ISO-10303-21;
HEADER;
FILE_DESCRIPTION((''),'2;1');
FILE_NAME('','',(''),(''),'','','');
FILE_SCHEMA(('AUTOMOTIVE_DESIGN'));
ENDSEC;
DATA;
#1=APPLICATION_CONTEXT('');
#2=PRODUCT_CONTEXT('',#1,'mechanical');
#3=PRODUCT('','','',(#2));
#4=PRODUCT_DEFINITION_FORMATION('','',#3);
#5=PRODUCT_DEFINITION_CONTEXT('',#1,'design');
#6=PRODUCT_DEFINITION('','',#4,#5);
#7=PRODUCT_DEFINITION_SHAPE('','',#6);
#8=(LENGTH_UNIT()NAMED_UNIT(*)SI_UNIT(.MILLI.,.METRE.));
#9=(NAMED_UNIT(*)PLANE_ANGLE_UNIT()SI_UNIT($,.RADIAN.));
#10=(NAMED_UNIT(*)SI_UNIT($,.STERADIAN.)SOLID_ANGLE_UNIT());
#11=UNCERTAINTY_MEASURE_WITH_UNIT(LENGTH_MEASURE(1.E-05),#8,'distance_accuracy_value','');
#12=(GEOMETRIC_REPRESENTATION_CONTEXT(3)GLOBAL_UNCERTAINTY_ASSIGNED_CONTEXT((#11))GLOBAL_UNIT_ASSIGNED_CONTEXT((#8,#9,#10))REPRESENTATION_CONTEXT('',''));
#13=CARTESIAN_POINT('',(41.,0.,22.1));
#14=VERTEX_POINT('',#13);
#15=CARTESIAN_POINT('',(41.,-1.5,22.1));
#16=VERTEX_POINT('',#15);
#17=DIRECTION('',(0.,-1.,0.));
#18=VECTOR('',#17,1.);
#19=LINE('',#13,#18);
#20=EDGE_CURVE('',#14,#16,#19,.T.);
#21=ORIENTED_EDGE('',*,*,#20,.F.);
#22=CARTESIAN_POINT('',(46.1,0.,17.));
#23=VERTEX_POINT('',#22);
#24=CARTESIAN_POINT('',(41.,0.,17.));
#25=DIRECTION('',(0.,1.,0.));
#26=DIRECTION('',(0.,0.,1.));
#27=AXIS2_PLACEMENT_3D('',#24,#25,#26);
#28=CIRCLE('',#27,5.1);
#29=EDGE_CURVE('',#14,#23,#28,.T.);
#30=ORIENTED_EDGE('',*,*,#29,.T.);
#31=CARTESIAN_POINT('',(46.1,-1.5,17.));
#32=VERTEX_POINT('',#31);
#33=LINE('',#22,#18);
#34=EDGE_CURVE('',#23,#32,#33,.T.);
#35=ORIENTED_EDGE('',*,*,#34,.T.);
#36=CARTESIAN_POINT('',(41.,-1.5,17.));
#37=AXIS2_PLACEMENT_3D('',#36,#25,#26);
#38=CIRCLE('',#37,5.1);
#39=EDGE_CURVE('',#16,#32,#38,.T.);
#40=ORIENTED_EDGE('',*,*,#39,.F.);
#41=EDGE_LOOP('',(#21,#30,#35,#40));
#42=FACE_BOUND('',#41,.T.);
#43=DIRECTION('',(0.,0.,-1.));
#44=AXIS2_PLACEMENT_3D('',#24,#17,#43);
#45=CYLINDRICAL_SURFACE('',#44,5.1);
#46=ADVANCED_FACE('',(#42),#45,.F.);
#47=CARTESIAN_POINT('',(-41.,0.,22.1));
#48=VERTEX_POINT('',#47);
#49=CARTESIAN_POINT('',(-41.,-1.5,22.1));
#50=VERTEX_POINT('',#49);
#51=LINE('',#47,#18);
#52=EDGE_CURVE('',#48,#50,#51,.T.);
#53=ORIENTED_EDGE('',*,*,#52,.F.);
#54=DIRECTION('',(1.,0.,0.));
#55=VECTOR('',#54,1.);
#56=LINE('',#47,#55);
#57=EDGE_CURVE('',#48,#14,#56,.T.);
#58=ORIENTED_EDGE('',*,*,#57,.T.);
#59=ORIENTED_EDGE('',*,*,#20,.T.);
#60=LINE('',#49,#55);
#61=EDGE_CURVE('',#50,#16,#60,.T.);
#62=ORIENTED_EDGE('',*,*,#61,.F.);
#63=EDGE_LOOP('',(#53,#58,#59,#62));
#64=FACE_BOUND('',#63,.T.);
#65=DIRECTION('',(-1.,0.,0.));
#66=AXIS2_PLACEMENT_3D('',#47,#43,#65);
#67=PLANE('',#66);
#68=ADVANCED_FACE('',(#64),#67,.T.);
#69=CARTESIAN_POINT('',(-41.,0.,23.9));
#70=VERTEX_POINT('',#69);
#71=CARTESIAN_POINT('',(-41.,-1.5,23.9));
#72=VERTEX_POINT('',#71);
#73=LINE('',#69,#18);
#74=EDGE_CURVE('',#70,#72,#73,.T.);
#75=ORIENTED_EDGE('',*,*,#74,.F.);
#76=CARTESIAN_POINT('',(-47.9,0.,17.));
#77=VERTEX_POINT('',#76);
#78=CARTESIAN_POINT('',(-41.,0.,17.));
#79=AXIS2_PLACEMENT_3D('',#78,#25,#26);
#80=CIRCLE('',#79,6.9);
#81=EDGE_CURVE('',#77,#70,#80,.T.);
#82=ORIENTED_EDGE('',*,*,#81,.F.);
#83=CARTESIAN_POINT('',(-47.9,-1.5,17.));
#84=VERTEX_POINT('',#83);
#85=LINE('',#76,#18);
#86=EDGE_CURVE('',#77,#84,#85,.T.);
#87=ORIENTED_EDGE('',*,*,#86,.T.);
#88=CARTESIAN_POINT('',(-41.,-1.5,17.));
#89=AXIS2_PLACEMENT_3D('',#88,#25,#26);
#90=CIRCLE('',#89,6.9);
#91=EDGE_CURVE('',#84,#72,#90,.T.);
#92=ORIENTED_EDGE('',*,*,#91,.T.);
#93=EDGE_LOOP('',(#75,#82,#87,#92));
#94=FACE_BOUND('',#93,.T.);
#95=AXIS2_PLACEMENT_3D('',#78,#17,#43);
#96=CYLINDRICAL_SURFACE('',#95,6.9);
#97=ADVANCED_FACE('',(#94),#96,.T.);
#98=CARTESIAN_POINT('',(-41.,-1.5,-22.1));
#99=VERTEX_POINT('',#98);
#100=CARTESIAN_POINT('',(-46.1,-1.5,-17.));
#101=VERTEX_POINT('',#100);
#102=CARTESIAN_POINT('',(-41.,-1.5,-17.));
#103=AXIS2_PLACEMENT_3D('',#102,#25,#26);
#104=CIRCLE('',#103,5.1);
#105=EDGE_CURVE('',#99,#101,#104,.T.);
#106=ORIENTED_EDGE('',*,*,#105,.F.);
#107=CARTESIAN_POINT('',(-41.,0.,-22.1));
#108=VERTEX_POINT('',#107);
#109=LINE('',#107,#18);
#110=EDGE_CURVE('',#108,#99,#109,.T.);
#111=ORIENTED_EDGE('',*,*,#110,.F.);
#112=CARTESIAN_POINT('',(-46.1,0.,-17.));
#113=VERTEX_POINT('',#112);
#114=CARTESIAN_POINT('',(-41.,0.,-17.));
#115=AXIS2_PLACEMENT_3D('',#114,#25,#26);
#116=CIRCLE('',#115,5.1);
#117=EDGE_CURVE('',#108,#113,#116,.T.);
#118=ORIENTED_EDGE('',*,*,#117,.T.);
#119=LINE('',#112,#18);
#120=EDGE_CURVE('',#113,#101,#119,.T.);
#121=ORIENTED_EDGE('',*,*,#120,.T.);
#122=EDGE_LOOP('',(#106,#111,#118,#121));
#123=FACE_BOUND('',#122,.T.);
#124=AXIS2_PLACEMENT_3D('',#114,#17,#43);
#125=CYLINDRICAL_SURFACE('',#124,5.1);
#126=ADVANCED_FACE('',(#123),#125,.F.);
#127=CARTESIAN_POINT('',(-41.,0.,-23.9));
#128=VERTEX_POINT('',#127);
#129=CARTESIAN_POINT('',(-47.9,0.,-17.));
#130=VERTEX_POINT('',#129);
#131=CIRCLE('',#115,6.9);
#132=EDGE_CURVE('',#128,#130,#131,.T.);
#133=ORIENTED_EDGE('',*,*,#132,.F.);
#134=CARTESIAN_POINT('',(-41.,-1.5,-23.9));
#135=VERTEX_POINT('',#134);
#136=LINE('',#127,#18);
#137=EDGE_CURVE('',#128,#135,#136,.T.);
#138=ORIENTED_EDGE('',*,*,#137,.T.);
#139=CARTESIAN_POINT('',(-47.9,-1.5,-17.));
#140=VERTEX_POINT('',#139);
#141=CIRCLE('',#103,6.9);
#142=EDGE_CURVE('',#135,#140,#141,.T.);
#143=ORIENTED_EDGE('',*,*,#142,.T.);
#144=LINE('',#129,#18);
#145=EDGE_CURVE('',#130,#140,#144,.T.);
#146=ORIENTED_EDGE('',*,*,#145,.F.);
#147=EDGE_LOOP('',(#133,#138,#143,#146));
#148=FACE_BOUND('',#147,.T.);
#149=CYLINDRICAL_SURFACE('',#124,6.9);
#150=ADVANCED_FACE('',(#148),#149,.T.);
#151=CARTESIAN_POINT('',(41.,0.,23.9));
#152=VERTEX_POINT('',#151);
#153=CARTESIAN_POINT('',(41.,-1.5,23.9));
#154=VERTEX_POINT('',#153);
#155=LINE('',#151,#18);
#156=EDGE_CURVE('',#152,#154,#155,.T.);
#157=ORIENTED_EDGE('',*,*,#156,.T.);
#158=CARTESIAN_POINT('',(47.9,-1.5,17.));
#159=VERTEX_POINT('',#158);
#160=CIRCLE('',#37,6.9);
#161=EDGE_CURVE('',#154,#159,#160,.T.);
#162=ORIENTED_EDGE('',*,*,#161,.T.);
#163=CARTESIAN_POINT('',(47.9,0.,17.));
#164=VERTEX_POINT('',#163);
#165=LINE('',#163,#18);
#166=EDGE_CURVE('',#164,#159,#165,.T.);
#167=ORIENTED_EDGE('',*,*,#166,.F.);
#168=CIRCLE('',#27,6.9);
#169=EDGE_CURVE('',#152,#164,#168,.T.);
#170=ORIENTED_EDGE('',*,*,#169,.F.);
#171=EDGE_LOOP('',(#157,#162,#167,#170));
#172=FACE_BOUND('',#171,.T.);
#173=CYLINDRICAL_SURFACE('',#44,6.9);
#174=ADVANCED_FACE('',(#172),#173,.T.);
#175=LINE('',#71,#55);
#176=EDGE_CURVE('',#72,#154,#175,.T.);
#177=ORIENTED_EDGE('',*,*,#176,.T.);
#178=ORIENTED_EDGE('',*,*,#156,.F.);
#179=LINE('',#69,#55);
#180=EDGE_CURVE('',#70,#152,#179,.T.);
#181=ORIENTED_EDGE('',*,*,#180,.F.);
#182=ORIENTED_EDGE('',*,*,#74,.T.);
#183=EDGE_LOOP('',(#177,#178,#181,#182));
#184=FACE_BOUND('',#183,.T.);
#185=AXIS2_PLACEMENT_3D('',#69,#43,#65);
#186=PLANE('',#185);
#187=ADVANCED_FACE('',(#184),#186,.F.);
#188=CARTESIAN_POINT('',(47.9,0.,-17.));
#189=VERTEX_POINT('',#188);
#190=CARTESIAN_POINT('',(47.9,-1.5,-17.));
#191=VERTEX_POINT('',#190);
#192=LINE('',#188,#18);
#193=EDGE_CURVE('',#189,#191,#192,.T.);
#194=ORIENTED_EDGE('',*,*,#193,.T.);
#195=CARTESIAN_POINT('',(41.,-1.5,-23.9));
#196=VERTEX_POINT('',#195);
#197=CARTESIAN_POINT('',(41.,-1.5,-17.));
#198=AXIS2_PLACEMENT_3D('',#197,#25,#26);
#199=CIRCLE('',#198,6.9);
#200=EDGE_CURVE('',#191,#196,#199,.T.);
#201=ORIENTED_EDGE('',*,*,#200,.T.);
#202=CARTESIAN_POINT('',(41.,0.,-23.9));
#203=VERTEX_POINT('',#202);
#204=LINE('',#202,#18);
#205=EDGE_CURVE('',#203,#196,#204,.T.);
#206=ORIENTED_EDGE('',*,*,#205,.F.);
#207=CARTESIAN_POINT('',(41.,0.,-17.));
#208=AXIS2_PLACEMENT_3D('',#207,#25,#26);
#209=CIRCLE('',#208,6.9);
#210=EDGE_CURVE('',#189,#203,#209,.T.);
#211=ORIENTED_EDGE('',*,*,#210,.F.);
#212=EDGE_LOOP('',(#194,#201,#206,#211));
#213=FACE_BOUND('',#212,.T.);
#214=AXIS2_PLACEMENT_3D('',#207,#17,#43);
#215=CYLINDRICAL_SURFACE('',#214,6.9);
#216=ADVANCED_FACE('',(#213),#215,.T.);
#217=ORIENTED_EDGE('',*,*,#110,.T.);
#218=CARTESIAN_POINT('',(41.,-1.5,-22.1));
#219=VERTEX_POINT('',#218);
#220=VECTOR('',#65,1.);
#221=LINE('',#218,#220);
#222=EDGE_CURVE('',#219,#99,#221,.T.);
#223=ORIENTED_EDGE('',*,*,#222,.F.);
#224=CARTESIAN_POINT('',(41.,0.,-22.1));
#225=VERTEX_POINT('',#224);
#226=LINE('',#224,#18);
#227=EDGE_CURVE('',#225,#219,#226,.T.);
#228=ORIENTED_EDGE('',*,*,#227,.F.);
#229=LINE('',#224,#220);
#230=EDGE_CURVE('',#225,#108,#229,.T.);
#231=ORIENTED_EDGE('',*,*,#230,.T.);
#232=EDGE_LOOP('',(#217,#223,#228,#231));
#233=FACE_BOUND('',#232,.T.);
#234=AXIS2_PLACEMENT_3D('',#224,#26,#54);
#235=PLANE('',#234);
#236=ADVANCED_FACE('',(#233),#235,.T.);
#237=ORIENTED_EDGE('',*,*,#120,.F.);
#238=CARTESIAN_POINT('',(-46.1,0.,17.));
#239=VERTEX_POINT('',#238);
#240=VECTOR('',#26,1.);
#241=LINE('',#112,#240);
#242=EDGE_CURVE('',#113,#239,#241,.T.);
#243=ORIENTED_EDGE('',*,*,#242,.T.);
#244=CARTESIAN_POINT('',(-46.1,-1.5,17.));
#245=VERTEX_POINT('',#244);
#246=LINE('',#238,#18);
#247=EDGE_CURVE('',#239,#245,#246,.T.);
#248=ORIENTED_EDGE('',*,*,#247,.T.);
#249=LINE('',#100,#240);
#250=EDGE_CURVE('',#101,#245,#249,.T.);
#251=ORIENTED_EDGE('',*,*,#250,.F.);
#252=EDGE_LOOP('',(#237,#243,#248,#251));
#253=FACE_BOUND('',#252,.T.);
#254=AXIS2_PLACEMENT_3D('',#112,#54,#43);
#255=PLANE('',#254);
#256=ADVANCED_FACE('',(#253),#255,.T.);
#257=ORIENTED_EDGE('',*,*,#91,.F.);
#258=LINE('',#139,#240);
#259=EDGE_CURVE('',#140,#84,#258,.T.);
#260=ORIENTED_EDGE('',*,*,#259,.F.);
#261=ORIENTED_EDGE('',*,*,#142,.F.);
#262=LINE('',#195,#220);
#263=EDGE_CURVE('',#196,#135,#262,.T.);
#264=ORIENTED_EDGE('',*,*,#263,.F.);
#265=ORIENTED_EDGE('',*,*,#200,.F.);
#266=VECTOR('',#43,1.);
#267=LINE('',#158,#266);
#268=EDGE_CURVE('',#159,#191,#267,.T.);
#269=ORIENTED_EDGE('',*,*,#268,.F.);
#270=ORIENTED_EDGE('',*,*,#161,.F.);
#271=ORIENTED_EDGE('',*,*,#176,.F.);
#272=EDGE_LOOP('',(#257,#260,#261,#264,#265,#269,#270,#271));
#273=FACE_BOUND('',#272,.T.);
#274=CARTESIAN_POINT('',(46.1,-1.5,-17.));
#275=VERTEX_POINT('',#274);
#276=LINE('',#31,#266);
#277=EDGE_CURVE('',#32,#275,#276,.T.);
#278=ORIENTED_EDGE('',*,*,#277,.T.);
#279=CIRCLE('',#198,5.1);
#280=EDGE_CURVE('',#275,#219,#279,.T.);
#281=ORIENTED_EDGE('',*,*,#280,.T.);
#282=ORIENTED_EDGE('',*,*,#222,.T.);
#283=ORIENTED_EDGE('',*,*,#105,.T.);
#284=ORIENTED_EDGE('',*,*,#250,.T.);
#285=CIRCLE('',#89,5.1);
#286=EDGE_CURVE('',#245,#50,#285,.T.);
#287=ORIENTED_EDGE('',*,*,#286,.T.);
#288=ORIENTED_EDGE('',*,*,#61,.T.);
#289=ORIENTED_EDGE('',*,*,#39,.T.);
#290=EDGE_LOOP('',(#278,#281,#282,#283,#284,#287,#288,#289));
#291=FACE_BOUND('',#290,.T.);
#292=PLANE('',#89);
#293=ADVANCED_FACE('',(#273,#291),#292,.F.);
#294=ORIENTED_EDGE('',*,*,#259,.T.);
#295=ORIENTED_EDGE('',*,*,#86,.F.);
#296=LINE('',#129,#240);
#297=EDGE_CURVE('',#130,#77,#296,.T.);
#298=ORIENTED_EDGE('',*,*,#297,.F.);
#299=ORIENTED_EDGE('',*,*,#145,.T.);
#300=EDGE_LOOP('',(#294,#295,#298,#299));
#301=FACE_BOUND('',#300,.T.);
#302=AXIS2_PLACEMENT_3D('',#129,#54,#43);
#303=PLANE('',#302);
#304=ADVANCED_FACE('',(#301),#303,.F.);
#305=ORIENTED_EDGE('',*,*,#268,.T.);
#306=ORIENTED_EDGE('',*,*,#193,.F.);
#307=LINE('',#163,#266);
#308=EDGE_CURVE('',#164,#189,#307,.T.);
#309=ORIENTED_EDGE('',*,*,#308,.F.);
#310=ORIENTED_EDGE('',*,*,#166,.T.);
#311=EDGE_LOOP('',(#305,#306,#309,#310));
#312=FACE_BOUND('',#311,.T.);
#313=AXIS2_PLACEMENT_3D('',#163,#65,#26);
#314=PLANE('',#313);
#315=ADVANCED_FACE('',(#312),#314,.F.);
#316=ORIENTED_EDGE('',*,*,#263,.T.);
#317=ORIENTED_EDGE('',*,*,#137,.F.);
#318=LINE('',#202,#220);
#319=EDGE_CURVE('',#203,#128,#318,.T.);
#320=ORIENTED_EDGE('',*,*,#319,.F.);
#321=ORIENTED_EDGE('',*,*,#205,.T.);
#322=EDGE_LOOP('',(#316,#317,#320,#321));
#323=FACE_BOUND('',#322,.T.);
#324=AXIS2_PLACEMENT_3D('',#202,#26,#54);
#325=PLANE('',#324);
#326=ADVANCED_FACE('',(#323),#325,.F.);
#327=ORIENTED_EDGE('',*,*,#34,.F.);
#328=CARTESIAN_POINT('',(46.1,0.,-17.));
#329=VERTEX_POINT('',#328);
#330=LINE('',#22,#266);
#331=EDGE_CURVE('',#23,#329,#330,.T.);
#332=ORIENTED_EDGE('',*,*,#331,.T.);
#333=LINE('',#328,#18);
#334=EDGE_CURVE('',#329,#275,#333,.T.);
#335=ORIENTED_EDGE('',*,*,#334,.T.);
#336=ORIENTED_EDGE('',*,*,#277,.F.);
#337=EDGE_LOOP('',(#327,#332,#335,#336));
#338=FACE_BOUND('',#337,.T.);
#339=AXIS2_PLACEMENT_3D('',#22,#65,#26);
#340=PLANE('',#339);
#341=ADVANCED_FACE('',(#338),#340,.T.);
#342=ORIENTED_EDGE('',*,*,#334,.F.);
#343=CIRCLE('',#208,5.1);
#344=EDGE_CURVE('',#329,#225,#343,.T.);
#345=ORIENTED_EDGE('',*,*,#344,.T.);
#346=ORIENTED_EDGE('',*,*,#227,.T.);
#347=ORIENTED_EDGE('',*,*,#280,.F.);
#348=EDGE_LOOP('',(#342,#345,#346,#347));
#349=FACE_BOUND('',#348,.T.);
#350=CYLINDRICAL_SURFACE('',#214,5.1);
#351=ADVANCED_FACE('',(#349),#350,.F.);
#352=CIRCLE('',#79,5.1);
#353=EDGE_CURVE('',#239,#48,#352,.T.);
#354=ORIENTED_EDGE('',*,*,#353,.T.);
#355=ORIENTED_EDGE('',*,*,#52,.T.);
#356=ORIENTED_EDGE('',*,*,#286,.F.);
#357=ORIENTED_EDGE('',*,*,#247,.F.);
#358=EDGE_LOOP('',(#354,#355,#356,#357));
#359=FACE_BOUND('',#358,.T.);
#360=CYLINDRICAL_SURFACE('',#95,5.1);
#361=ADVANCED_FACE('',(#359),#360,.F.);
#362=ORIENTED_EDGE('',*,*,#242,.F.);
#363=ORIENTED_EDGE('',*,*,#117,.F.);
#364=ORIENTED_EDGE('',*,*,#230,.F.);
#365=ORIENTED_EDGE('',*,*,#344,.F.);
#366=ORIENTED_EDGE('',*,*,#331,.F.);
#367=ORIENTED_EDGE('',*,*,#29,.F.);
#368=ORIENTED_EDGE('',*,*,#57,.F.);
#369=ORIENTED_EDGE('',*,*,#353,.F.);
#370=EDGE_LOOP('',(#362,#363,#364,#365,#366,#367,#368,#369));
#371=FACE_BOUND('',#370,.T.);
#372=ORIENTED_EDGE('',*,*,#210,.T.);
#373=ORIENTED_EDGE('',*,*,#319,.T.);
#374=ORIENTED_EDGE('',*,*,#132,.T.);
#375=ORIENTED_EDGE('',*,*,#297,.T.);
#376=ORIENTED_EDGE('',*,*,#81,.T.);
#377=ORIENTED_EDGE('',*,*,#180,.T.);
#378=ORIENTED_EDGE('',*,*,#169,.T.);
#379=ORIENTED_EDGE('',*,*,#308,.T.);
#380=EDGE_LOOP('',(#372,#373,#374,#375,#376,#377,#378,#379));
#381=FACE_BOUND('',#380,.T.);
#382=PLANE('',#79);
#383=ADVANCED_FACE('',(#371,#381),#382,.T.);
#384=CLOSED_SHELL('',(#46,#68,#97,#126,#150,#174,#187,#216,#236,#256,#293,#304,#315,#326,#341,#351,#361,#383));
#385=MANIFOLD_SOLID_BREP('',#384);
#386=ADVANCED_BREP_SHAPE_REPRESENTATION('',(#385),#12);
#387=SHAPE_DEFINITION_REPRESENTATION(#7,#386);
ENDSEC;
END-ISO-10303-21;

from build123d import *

# Parameters (mm, degrees)
GASKET_START = -1.5
GASKET_DEPTH = 1.5


with BuildPart() as part:
    # Sketch1 → Gasket (new body)
    with BuildSketch(Plane(origin=(0, 0, 0), x_dir=(1, 0, 0), z_dir=(0, 1, 0)).offset(GASKET_START)):
        with BuildLine():
            Line((-41, -23.9), (41, -23.9))
            ThreePointArc((41, -23.9), (45.87903679, -21.87903679), (47.9, -17))
            Line((47.9, -17), (47.9, 17))
            ThreePointArc((47.9, 17), (45.87903679, 21.87903679), (41, 23.9))
            Line((41, 23.9), (-41, 23.9))
            ThreePointArc((-41, 23.9), (-45.87903679, 21.87903679), (-47.9, 17))
            Line((-47.9, 17), (-47.9, -17))
            ThreePointArc((-47.9, -17), (-45.87903679, -21.87903679), (-41, -23.9))
        make_face()
        with BuildLine():
            Line((-41, -22.1), (41, -22.1))
            ThreePointArc((41, -22.1), (44.606244584, -20.606244584), (46.1, -17))
            Line((46.1, -17), (46.1, 17))
            ThreePointArc((46.1, 17), (44.606244584, 20.606244584), (41, 22.1))
            Line((41, 22.1), (-41, 22.1))
            ThreePointArc((-41, 22.1), (-44.606244584, 20.606244584), (-46.1, 17))
            Line((-46.1, 17), (-46.1, -17))
            ThreePointArc((-46.1, -17), (-44.606244584, -20.606244584), (-41, -22.1))
        make_face(mode=Mode.SUBTRACT)
    extrude(amount=GASKET_DEPTH)


solid = part.part
